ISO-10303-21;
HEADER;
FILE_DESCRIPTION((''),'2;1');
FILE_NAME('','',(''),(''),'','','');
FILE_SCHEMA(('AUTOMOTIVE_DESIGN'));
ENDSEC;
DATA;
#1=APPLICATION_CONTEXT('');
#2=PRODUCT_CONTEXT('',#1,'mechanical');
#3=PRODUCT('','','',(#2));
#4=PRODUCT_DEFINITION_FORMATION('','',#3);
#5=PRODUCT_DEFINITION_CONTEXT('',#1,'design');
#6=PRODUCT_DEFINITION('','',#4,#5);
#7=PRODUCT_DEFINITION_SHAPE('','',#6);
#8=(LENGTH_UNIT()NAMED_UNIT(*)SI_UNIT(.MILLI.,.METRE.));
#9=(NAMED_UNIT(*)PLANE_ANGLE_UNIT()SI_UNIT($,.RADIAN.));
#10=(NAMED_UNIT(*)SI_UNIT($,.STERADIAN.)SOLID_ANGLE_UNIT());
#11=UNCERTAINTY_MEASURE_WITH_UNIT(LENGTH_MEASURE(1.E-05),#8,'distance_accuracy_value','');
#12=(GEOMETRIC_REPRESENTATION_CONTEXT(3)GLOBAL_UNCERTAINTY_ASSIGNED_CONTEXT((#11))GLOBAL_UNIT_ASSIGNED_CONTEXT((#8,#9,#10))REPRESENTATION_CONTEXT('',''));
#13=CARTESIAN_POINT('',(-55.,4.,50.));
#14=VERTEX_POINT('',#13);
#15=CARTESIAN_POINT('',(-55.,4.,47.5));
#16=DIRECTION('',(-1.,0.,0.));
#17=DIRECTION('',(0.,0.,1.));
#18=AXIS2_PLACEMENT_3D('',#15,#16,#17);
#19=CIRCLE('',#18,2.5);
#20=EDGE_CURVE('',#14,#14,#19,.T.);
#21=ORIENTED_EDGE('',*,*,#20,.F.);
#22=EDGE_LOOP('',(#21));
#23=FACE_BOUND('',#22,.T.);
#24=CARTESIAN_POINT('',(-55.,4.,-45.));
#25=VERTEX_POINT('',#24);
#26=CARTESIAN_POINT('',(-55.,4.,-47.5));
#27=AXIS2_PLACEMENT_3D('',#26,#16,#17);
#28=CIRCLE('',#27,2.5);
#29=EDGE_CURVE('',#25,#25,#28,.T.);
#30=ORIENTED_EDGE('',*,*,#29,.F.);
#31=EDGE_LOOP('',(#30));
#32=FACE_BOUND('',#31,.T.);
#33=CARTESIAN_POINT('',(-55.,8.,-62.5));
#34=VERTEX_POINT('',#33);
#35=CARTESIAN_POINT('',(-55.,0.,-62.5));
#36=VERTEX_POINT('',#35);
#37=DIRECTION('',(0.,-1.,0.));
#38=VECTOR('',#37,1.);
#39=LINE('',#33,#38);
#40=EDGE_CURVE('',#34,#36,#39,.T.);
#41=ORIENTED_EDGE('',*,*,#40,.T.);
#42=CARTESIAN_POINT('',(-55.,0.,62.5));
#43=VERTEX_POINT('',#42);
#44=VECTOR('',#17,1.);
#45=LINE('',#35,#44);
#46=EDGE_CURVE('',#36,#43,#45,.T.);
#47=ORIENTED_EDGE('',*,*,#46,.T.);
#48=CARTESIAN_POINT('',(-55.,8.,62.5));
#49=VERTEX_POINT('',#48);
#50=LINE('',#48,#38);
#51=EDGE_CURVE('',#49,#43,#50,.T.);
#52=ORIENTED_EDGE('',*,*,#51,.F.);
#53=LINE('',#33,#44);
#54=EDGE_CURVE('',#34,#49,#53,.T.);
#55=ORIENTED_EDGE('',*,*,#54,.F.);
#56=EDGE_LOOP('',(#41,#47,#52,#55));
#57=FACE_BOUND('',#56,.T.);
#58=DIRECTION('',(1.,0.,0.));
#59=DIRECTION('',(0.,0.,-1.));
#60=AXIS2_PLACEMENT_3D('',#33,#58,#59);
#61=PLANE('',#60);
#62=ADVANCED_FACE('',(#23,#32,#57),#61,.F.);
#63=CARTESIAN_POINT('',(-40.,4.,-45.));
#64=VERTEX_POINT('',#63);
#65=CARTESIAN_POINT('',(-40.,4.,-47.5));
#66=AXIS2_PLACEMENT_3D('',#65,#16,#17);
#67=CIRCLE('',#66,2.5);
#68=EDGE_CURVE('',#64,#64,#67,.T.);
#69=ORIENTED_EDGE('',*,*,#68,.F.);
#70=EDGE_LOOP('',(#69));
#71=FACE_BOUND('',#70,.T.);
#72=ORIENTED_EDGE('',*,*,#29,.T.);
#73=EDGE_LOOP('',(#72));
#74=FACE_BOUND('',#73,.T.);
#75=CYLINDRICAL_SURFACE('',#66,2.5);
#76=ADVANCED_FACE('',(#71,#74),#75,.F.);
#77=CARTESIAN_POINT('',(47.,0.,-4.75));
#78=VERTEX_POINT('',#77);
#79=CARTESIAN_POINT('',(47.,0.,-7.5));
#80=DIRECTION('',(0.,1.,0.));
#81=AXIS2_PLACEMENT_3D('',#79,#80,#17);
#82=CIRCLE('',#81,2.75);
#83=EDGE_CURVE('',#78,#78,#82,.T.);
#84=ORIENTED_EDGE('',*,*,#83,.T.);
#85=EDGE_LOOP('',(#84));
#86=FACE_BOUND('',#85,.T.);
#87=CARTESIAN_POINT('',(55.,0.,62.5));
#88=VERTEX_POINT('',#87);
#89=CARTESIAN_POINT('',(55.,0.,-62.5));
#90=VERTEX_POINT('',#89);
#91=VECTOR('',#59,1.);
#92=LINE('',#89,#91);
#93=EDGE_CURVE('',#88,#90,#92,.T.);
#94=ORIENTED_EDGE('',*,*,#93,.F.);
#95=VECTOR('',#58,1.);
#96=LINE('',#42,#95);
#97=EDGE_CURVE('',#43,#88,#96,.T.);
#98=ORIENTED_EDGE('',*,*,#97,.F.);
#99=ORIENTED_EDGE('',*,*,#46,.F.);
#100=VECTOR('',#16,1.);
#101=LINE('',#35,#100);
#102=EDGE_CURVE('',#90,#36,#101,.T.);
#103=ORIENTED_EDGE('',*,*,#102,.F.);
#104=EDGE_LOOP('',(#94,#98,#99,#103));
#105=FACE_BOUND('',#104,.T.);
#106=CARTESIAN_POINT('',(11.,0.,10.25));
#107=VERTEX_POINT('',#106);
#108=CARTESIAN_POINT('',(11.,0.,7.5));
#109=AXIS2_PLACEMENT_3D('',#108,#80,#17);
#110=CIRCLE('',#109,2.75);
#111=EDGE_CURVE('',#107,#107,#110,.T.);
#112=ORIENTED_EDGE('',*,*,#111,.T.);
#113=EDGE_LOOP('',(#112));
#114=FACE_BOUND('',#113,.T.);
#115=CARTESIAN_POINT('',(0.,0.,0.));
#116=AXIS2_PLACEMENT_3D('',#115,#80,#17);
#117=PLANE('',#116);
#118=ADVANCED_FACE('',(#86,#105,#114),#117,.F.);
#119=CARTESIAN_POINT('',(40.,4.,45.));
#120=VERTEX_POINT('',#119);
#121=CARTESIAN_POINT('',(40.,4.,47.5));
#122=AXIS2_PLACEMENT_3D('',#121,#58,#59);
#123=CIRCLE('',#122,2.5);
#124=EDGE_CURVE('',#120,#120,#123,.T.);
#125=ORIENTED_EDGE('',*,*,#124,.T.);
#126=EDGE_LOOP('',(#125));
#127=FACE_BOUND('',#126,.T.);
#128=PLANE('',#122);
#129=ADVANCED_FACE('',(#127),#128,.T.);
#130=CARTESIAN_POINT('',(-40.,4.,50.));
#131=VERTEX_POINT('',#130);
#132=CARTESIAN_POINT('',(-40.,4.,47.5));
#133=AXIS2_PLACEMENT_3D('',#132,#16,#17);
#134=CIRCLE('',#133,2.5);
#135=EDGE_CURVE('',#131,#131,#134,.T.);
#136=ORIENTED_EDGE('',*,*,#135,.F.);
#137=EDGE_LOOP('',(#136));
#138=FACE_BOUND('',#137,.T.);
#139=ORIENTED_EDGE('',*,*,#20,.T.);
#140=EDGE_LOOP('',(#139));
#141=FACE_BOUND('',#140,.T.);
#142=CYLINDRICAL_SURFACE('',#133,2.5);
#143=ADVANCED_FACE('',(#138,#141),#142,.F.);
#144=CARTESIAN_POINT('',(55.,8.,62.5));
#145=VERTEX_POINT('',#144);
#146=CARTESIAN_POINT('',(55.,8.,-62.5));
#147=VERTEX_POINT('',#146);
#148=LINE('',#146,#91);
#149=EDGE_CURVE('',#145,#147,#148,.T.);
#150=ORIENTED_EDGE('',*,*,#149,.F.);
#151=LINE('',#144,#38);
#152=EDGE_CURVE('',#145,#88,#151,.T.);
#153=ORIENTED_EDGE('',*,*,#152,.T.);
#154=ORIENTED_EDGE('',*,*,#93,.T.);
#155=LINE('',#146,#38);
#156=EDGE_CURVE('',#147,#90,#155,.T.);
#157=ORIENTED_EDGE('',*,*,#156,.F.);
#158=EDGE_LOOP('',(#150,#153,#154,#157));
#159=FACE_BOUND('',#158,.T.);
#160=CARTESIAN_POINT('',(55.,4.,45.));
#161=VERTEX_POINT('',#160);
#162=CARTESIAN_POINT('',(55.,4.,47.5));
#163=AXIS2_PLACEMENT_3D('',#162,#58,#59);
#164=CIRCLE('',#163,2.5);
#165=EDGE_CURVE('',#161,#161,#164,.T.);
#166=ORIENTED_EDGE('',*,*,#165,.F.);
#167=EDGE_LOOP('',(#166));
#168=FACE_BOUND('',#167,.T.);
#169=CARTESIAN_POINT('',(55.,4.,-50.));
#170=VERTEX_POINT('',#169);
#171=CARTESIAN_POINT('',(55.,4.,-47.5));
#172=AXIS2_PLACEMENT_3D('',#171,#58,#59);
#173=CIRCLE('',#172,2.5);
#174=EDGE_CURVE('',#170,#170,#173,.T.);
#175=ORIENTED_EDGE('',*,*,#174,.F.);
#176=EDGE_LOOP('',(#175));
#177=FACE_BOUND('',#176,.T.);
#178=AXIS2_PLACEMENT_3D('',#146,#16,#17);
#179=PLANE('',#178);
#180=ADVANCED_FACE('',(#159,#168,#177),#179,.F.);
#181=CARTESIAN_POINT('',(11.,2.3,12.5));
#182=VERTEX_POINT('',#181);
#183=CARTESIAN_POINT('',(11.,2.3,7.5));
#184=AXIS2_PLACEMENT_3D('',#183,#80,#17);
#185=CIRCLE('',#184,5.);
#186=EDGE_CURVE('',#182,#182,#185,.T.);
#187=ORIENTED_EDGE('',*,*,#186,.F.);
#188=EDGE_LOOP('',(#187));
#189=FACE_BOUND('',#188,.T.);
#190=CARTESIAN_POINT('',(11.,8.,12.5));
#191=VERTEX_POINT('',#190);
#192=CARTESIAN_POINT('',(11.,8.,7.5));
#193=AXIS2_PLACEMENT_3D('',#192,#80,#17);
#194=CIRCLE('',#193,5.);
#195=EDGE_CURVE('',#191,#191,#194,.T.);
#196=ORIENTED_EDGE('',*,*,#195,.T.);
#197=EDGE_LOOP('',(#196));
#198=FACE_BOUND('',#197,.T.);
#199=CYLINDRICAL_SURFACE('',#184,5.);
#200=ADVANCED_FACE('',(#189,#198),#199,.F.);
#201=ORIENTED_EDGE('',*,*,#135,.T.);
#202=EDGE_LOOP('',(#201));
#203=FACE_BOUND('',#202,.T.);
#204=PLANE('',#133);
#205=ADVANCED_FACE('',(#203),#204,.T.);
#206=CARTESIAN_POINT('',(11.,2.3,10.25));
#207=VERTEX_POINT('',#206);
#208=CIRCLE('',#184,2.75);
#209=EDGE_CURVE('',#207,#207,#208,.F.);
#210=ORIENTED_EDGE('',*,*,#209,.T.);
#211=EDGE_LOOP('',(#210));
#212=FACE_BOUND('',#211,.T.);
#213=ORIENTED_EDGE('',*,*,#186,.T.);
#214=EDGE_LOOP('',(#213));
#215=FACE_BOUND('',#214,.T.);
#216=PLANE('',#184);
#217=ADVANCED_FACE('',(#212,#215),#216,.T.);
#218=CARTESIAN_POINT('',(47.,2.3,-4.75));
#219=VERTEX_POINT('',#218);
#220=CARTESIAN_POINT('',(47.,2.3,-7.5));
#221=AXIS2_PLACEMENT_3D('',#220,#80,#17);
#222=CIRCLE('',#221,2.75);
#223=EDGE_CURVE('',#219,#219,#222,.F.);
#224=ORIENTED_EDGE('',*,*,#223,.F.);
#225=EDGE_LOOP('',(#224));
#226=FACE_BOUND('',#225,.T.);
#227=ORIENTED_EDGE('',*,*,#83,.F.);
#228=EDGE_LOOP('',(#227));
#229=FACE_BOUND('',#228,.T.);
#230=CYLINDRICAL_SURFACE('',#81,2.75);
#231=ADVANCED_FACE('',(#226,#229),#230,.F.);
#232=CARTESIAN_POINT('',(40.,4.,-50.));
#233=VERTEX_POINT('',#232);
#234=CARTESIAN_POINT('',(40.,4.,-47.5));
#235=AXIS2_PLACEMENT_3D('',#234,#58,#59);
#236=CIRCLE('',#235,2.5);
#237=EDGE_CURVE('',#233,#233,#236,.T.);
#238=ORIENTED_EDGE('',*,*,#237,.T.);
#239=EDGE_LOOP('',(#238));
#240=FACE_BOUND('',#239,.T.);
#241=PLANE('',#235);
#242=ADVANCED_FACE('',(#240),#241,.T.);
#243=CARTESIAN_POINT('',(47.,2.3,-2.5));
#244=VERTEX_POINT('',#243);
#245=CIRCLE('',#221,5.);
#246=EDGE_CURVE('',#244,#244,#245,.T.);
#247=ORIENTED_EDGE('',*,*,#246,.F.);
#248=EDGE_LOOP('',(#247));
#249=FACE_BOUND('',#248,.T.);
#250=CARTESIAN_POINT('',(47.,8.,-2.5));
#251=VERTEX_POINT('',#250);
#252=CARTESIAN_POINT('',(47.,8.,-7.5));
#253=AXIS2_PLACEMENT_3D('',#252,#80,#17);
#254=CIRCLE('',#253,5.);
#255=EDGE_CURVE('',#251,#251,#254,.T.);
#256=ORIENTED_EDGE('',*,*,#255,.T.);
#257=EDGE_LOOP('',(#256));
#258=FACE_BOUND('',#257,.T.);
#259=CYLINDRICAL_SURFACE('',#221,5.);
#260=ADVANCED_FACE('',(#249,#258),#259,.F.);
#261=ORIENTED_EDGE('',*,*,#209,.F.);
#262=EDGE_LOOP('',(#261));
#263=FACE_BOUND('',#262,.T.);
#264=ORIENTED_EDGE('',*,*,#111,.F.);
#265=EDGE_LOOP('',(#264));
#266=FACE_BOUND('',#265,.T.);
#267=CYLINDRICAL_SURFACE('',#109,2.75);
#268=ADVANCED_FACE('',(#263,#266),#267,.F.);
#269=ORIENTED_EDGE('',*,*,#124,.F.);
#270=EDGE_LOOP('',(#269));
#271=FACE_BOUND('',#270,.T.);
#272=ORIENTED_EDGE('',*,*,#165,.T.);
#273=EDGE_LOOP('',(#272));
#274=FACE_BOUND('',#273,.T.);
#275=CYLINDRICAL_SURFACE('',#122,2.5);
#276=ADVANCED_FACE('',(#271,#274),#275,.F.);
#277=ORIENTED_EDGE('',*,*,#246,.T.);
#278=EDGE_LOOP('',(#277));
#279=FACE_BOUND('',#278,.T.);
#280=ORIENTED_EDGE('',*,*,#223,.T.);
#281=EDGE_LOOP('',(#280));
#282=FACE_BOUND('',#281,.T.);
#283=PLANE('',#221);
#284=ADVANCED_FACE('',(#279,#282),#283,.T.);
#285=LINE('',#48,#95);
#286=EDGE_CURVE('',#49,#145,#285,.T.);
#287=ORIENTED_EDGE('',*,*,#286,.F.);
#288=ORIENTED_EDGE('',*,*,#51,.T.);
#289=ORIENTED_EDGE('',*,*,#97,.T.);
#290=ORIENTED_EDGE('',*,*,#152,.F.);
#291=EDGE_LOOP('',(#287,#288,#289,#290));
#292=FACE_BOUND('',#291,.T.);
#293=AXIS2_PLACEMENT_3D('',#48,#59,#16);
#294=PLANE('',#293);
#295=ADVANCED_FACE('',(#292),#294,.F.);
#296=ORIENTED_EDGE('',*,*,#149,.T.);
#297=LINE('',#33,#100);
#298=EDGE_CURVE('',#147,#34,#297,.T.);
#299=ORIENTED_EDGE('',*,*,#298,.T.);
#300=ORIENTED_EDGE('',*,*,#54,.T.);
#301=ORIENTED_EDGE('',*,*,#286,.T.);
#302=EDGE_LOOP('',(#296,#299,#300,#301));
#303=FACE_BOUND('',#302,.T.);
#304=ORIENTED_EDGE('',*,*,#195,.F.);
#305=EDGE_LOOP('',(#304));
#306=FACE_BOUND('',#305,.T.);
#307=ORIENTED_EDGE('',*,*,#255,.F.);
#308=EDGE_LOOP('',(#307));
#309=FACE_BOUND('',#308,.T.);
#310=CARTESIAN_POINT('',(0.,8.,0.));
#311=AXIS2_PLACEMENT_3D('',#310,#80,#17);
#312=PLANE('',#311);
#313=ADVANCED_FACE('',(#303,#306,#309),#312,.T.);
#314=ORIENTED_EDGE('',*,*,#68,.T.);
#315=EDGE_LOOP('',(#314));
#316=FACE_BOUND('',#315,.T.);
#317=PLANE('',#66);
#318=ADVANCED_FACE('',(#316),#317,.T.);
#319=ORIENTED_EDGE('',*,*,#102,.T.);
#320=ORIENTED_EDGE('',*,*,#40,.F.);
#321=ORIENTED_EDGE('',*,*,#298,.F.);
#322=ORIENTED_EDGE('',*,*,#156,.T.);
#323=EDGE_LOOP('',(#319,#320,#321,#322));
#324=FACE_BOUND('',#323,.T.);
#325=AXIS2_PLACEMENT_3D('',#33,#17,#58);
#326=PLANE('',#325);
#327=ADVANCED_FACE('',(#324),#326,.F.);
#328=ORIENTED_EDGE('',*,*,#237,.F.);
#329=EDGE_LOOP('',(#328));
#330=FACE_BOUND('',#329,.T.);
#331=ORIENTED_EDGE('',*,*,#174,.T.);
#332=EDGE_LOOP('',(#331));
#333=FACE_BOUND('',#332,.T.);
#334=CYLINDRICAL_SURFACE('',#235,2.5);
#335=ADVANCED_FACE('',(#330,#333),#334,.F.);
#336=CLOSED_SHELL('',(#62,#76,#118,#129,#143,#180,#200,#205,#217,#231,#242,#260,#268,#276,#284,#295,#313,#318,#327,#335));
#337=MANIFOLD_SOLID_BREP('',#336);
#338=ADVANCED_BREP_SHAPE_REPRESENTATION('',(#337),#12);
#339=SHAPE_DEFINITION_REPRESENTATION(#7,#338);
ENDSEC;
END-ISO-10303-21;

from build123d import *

# Parameters (mm, degrees)
SKETCH1_W           = 110
SKETCH1_H           = 125
BOSS_EXTRUDE2_DEPTH = 8
SKETCH2_R           = 2.75
CUT_EXTRUDE1_DEPTH  = 8
SKETCH3_R           = 2.5
CUT_EXTRUDE2_DEPTH  = 15
SKETCH4_R           = 2.5
CUT_EXTRUDE3_DEPTH  = 15
SKETCH5_R           = 5
CUT_EXTRUDE4_DEPTH  = 5.7


with BuildPart() as part:
    # Sketch1 → Boss-Extrude2 (new body)
    with BuildSketch(Plane(origin=(0, 0, 0), x_dir=(1, 0, 0), z_dir=(0, 1, 0))):
        Rectangle(SKETCH1_W, SKETCH1_H)
    extrude(amount=BOSS_EXTRUDE2_DEPTH)

    # Sketch2 → Cut-Extrude1 (cut)
    with BuildSketch(Plane(origin=(0, 8, 0), x_dir=(1, 0, 0), z_dir=(0, 1, 0))):
        with Locations((47, 7.5)):
            Circle(SKETCH2_R)
        with Locations((11, -7.5)):
            Circle(SKETCH2_R)
    extrude(amount=-CUT_EXTRUDE1_DEPTH, mode=Mode.SUBTRACT)

    # Sketch3 → Cut-Extrude2 (cut)
    with BuildSketch(Plane.ZY.offset(55)):
        with Locations((47.5, 4)):
            Circle(SKETCH3_R)
        with Locations((-47.5, 4)):
            Circle(SKETCH3_R)
    extrude(amount=-CUT_EXTRUDE2_DEPTH, mode=Mode.SUBTRACT)

    # Sketch4 → Cut-Extrude3 (cut)
    with BuildSketch(Plane(origin=(55, 0, 0), x_dir=(0, 0, -1), z_dir=(1, 0, 0))):
        with Locations((47.5, 4)):
            Circle(SKETCH4_R)
        with Locations((-47.5, 4)):
            Circle(SKETCH4_R)
    extrude(amount=-CUT_EXTRUDE3_DEPTH, mode=Mode.SUBTRACT)

    # Sketch5 → Cut-Extrude4 (cut)
    with BuildSketch(Plane(origin=(0, 8, 0), x_dir=(1, 0, 0), z_dir=(0, 1, 0))):
        with Locations((11, -7.5)):
            Circle(SKETCH5_R)
        with Locations((47, 7.5)):
            Circle(SKETCH5_R)
    extrude(amount=-CUT_EXTRUDE4_DEPTH, mode=Mode.SUBTRACT)


solid = part.part
